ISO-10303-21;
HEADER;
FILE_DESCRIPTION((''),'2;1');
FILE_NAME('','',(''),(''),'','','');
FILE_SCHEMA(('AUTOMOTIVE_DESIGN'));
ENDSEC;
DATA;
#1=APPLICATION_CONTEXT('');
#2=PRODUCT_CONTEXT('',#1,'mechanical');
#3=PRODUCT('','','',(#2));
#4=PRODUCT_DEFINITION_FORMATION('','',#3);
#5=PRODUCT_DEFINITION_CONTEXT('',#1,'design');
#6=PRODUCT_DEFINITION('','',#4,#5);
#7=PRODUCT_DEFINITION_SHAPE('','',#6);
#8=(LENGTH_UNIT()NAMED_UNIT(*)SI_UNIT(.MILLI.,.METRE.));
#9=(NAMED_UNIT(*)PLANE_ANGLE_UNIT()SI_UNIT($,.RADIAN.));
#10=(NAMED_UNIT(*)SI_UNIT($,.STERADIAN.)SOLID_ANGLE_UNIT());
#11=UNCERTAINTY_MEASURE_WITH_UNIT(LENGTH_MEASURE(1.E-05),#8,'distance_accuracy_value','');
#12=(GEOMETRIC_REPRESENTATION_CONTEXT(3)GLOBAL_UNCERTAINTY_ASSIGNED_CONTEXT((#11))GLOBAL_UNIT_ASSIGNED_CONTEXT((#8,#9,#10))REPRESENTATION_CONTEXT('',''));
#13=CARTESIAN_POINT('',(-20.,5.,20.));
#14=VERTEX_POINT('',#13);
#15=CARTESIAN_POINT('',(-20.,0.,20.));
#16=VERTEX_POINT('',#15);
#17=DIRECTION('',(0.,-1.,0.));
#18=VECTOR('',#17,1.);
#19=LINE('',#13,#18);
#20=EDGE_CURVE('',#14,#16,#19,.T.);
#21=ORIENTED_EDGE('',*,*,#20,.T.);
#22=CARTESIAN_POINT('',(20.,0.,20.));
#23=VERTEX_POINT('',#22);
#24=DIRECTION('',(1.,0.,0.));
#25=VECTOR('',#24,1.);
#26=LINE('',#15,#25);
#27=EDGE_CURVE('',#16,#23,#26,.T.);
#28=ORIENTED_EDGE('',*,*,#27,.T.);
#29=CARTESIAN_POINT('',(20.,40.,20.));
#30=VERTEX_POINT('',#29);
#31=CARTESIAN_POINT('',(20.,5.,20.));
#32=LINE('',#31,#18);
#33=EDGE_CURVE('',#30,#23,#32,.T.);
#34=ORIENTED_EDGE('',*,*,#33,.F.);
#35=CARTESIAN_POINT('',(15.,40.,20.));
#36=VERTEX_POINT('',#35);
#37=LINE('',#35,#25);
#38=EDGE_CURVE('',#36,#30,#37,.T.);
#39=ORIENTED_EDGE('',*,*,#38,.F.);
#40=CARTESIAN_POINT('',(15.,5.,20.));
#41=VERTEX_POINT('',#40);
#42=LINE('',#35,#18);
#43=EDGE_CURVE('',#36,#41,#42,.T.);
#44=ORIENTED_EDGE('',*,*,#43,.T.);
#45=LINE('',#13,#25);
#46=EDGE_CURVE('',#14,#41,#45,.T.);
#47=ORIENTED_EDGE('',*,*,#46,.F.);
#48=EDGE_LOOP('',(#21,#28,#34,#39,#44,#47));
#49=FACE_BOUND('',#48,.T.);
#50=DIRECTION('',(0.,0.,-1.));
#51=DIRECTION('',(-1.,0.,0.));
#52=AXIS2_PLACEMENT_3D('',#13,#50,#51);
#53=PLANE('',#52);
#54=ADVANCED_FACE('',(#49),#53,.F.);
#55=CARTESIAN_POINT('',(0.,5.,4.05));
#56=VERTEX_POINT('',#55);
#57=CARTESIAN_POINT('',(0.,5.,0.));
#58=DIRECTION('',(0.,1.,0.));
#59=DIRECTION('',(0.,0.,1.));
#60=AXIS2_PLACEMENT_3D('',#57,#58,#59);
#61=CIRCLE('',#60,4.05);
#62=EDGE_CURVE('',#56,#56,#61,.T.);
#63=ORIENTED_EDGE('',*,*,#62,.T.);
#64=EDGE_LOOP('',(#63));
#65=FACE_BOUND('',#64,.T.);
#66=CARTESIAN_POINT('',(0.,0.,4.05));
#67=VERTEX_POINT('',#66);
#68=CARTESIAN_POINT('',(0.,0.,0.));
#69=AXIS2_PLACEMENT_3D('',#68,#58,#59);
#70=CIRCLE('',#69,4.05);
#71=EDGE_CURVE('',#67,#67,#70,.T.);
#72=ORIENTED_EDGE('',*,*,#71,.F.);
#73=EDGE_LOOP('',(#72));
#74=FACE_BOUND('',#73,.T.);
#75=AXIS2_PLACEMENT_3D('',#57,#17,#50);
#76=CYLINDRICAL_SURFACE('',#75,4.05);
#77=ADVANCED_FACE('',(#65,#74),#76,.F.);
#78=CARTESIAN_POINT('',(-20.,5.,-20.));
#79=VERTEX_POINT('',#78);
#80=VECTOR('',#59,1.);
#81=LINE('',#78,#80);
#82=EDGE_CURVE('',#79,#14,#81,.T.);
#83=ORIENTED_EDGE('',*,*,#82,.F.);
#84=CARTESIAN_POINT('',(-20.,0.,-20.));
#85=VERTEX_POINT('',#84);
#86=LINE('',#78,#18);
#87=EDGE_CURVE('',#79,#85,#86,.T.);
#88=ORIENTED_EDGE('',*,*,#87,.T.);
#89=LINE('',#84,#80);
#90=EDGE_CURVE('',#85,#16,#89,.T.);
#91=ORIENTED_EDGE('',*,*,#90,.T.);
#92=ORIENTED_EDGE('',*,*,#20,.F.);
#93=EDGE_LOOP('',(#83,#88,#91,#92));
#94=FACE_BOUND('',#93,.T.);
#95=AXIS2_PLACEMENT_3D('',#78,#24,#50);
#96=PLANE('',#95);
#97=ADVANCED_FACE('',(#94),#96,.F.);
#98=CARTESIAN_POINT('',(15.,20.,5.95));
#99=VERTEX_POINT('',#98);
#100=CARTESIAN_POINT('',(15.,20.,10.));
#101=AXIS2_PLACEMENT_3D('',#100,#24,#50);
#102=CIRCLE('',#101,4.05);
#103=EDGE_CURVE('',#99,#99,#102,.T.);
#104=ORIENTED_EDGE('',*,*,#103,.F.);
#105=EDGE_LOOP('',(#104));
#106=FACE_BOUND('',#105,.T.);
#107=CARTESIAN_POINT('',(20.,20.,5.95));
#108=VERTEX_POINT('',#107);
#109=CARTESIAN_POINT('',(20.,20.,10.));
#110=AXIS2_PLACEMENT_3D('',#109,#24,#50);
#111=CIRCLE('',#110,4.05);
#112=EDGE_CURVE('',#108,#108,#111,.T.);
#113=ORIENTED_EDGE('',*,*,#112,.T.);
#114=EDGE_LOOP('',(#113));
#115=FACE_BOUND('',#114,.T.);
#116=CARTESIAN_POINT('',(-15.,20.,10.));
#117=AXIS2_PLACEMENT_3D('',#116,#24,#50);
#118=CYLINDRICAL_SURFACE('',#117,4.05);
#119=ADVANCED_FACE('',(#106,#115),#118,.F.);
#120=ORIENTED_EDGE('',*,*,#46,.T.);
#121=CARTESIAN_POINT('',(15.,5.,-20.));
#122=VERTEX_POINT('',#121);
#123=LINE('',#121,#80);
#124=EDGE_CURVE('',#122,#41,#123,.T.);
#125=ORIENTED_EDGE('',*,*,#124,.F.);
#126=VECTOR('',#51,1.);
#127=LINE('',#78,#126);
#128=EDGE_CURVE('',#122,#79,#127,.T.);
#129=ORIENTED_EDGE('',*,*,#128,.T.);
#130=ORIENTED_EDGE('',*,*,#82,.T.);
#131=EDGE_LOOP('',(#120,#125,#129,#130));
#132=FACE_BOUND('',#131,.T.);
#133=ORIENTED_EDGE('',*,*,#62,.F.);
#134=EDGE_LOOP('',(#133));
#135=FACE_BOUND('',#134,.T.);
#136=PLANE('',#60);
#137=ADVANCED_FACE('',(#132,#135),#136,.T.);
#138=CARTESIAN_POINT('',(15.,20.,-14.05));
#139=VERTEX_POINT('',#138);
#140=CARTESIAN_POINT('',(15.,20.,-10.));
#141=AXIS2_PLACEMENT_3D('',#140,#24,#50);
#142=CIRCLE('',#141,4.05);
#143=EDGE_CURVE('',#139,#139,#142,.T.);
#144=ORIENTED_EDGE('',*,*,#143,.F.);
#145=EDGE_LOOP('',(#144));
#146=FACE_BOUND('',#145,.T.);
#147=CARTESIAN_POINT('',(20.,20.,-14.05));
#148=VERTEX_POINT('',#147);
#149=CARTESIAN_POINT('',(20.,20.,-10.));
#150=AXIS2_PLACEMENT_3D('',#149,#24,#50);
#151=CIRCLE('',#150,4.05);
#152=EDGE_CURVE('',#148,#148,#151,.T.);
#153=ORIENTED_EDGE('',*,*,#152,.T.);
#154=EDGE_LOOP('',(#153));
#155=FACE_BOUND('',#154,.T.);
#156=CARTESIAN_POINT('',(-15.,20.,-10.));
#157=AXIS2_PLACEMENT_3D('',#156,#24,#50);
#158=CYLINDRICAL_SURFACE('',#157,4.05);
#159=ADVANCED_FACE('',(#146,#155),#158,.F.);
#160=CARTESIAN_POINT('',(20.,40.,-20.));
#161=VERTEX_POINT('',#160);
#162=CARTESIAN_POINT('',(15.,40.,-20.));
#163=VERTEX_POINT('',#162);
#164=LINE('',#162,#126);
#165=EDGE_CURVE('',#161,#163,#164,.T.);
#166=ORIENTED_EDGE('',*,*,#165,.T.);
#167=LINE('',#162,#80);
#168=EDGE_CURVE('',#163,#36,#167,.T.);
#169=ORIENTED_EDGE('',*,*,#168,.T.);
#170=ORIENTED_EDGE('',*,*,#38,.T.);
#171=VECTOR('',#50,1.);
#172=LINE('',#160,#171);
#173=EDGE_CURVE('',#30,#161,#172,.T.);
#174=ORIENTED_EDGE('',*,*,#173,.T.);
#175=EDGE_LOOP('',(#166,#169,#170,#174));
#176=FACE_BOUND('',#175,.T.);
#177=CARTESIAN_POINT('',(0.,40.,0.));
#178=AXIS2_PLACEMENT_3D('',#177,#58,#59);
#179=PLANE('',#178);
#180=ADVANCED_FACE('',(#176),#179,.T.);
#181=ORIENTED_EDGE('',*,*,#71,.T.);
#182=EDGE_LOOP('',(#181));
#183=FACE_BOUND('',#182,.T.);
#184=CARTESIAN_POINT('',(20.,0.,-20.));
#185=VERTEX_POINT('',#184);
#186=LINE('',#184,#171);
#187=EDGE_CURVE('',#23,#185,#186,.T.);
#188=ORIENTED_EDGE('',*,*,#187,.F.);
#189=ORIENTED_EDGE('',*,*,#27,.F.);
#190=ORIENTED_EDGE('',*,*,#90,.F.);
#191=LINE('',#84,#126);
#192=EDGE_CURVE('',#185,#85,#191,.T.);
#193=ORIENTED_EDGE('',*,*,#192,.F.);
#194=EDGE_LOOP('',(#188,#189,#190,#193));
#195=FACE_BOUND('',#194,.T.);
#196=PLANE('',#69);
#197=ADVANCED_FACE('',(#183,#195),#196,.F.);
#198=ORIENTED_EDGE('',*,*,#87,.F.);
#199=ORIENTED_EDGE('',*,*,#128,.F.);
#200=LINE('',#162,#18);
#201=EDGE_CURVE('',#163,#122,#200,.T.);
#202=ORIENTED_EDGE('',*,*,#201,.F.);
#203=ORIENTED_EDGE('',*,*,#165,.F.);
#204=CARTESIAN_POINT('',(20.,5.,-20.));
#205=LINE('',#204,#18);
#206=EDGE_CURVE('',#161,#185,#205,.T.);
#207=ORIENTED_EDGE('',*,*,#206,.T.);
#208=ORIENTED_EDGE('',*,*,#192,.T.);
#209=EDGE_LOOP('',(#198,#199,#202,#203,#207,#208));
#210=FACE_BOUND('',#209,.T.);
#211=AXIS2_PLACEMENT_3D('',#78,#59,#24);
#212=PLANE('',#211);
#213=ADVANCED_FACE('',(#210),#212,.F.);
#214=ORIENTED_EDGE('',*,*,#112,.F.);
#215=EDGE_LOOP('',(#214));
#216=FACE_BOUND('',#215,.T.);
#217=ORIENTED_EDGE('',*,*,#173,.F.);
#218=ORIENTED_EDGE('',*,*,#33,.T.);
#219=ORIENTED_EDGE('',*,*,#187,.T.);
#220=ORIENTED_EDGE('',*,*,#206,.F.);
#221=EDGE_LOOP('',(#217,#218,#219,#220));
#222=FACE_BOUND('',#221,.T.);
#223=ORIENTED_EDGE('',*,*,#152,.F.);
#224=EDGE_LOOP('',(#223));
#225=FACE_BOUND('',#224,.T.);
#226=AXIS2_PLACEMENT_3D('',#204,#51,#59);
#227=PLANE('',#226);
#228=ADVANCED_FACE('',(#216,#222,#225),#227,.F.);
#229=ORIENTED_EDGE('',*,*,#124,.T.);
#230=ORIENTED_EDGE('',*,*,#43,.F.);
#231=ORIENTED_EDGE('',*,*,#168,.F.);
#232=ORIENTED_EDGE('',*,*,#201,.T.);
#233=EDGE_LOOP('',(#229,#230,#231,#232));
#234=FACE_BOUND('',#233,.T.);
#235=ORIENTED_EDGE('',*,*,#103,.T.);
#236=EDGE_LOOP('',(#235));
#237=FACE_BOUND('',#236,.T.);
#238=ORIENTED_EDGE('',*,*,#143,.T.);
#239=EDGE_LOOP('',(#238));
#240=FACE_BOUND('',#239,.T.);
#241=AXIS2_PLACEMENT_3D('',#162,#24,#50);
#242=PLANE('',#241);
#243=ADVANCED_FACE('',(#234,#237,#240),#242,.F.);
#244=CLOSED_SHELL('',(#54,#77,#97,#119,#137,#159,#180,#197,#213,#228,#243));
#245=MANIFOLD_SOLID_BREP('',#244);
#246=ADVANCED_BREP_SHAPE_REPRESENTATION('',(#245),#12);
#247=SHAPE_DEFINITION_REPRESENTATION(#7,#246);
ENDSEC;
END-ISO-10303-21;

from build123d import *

# Parameters (mm, degrees)
SKETCH_1_W          = 40
SKETCH_1_H          = 40
SKETCH_1_R          = 4.05
EXTRUDE_1_DEPTH     = 5
SKETCH_2_W          = 5
SKETCH_2_H          = 40
EXTRUDE_2_DEPTH     = 35
SKETCH_3_R          = 4.05
CUT_EXTRUDE_1_DEPTH = 35


with BuildPart() as part:
    # 草图1 → 凸台-拉伸1 (new body)
    with BuildSketch(Plane(origin=(0, 0, 0), x_dir=(1, 0, 0), z_dir=(0, 1, 0))):
        Rectangle(SKETCH_1_W, SKETCH_1_H)
        with Locations(Location((0, 0, 0), (0, 0, 270))):
            Circle(SKETCH_1_R, mode=Mode.SUBTRACT)
    extrude(amount=EXTRUDE_1_DEPTH)

    # 草图2 → 凸台-拉伸2 (add)
    with BuildSketch(Plane(origin=(0, 5, 0), x_dir=(1, 0, 0), z_dir=(0, 1, 0))):
        with Locations((17.5, 0)):
            Rectangle(SKETCH_2_W, SKETCH_2_H)
    extrude(amount=EXTRUDE_2_DEPTH)

    # 草图3 → 切除-拉伸1 (cut)
    with BuildSketch(Plane(origin=(20, 0, 0), x_dir=(0, 0, -1), z_dir=(1, 0, 0))):
        with Locations((-10, 20)):
            Circle(SKETCH_3_R)
        with Locations((10, 20)):
            Circle(SKETCH_3_R)
    extrude(amount=-CUT_EXTRUDE_1_DEPTH, mode=Mode.SUBTRACT)


solid = part.part
